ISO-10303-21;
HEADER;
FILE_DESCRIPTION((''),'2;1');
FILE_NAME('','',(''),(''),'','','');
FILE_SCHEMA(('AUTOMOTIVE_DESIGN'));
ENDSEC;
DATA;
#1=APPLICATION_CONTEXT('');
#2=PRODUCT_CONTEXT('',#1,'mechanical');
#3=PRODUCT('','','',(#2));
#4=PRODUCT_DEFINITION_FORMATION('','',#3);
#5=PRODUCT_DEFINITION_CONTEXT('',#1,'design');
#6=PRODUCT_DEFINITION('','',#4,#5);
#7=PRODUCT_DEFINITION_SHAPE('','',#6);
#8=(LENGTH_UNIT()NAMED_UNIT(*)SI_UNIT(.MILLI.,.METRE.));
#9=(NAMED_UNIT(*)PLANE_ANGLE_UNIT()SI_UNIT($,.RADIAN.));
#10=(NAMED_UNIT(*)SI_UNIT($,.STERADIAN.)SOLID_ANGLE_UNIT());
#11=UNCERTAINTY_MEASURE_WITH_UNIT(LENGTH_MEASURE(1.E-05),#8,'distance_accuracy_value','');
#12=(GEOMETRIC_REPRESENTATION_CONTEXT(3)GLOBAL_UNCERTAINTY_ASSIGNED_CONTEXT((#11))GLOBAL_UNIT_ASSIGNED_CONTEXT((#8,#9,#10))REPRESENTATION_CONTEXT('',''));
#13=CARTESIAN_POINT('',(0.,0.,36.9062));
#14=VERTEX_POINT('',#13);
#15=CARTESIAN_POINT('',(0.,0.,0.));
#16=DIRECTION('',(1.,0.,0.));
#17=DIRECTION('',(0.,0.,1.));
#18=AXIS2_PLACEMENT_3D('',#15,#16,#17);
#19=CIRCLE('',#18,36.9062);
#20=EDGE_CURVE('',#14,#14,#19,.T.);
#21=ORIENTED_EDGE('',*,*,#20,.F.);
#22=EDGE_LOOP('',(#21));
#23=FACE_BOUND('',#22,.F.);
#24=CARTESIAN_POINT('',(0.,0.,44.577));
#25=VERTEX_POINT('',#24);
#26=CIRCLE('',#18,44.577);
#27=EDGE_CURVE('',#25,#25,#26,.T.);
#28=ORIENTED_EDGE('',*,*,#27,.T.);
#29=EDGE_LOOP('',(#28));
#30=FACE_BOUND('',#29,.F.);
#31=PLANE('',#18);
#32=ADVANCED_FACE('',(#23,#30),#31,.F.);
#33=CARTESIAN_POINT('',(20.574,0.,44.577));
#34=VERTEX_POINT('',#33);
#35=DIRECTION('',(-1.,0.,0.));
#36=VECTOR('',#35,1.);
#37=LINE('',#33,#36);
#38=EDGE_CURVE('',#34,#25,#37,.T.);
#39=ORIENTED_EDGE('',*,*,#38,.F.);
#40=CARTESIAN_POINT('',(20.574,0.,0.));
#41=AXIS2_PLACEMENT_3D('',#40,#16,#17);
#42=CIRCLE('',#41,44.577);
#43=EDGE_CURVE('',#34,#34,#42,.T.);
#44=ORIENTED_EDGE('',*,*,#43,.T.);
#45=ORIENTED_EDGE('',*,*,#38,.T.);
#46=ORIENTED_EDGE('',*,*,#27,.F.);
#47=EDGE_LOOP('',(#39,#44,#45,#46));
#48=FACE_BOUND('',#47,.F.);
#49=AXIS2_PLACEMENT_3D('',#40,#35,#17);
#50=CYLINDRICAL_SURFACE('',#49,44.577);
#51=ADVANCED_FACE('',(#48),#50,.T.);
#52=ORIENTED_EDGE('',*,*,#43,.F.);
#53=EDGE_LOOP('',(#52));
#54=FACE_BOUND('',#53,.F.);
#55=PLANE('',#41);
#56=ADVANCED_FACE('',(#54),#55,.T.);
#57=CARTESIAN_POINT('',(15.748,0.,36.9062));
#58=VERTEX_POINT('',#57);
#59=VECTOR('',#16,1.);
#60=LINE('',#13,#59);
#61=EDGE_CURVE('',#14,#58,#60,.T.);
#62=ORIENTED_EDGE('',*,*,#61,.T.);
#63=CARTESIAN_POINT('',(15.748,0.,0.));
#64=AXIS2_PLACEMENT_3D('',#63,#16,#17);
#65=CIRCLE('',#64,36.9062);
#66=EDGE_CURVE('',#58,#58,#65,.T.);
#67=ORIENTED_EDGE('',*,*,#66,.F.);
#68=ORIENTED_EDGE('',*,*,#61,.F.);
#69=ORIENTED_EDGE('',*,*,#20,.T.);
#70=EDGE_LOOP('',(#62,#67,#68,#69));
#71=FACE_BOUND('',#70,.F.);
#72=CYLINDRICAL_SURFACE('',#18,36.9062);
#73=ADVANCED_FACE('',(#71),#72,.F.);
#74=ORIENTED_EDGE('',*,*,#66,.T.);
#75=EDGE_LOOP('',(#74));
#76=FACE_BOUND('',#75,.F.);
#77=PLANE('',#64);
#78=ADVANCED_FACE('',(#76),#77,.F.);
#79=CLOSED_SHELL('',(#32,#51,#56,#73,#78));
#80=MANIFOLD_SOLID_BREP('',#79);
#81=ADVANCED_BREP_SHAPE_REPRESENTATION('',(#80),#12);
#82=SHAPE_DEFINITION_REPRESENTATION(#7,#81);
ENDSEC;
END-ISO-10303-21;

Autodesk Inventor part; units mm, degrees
ref_plane "YZ Plane" through (0, 0, 0) normal (1, 0, 0) x (0, 1, 0)
ref_plane "XZ Plane" through (0, 0, 0) normal (0, 1, 0) x (-1, 0, 0)
ref_plane "XY Plane" through (0, 0, 0) normal (0, 0, 1) x (1, 0, 0)
sketch "Sketch1" plane through (0, 0, 0) normal (0, 1, 0) x (-1, 0, 0)
  line L0 (0, 44.577) -> (0, 36.9062)
  line L1 (0, 36.9062) -> (-15.748, 36.9062)
  line L2 (-15.748, 36.9062) -> (-15.748, 0)
  line L3 (-15.748, 0) -> (-20.574, 0)
  line L4 (-20.574, 0) -> (-20.574, 44.577)
  line L5 (-20.574, 44.577) -> (0, 44.577)
  line L6 (0, 36.9062) -> (0, 0) construction
  line L7 (0, 0) -> (-15.748, 0)
  dimension "d0" = 73.8124
  dimension "d1" = 7.6708
  dimension "d2" = 15.748
  dimension "d3" = 4.826
revolve "Revolve1" add sketch "Sketch1" angle 360 about axis through (0, 0, 0) along (1, 0, 0)
equation "\"d0\" = B"
equation "\"d1\" = C1"
equation "\"d2\" = J1"
equation "\"d3\" = K1"
equation "\"B\" = 73.8124"
equation "\"C1\" = 7.6708"
equation "\"J1\" = 15.748"
equation "\"K1\" = 4.826"
equation "\"Size_Designation\" = 2.5"
properties part number "A1-18002-100-30 2.5in pipe cap" material "PVC-Piping"
